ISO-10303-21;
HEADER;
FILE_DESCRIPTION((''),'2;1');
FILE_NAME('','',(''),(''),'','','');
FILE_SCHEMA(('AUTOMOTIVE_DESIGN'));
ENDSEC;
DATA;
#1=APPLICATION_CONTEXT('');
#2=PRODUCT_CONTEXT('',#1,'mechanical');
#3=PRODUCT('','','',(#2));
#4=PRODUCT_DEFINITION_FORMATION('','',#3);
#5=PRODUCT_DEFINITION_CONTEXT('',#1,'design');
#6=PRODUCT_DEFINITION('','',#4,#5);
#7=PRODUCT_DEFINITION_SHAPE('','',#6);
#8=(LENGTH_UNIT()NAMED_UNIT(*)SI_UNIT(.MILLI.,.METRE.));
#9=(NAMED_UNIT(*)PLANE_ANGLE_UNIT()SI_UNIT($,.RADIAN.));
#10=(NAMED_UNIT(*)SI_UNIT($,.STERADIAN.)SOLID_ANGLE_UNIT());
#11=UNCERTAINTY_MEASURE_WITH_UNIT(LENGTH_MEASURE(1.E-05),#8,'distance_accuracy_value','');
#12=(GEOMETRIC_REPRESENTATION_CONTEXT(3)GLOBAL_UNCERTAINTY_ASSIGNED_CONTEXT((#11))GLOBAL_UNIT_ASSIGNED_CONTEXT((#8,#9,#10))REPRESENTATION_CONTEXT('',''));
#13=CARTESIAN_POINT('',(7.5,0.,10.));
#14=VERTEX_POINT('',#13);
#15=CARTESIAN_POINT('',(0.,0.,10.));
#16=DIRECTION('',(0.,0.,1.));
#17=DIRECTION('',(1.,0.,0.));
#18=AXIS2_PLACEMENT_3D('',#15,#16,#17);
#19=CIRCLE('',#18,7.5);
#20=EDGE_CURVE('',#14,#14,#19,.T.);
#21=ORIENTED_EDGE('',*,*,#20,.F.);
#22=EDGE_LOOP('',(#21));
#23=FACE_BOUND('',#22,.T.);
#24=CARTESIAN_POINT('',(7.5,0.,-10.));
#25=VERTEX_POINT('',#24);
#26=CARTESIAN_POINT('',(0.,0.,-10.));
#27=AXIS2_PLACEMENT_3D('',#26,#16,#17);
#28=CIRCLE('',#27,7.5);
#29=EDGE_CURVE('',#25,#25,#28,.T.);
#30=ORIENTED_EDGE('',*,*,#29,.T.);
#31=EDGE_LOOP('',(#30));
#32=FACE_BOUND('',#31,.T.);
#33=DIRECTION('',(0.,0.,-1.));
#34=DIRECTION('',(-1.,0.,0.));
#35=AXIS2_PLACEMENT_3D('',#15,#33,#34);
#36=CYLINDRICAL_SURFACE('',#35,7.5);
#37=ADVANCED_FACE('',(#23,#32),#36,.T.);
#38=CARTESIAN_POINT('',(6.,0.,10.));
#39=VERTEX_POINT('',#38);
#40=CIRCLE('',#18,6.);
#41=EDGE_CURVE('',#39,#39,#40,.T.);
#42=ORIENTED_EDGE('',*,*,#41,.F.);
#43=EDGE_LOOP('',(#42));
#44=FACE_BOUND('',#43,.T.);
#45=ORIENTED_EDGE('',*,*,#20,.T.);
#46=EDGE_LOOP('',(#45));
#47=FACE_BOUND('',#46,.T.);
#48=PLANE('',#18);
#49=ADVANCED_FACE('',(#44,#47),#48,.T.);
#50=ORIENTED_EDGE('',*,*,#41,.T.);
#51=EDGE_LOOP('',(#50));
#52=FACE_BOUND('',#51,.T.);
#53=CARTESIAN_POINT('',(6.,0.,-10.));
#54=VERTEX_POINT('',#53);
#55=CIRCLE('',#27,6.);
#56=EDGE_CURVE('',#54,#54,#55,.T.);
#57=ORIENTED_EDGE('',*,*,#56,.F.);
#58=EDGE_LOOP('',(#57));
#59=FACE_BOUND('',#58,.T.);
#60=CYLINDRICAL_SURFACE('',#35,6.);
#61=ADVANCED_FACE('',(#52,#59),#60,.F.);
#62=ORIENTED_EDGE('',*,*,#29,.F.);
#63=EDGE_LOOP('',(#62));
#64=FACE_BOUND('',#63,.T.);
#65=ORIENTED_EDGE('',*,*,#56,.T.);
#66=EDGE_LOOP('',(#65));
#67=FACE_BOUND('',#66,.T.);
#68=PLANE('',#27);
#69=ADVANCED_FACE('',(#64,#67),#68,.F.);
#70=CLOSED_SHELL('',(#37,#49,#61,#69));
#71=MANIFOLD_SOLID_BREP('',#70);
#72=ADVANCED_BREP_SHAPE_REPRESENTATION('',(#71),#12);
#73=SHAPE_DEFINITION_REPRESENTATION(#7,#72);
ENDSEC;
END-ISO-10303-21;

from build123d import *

# Parameters (mm, degrees)
SKETCH_1_R      = 7.5
SKETCH_1_R_2    = 6
EXTRUDE_1_DEPTH = 10


with BuildPart() as part:
    # 草图1 → 凸台-拉伸1 (new, symmetric)
    with BuildSketch(Plane.XY):
        Circle(SKETCH_1_R)
        Circle(SKETCH_1_R_2, mode=Mode.SUBTRACT)
    extrude(amount=EXTRUDE_1_DEPTH, both=True)


solid = part.part
